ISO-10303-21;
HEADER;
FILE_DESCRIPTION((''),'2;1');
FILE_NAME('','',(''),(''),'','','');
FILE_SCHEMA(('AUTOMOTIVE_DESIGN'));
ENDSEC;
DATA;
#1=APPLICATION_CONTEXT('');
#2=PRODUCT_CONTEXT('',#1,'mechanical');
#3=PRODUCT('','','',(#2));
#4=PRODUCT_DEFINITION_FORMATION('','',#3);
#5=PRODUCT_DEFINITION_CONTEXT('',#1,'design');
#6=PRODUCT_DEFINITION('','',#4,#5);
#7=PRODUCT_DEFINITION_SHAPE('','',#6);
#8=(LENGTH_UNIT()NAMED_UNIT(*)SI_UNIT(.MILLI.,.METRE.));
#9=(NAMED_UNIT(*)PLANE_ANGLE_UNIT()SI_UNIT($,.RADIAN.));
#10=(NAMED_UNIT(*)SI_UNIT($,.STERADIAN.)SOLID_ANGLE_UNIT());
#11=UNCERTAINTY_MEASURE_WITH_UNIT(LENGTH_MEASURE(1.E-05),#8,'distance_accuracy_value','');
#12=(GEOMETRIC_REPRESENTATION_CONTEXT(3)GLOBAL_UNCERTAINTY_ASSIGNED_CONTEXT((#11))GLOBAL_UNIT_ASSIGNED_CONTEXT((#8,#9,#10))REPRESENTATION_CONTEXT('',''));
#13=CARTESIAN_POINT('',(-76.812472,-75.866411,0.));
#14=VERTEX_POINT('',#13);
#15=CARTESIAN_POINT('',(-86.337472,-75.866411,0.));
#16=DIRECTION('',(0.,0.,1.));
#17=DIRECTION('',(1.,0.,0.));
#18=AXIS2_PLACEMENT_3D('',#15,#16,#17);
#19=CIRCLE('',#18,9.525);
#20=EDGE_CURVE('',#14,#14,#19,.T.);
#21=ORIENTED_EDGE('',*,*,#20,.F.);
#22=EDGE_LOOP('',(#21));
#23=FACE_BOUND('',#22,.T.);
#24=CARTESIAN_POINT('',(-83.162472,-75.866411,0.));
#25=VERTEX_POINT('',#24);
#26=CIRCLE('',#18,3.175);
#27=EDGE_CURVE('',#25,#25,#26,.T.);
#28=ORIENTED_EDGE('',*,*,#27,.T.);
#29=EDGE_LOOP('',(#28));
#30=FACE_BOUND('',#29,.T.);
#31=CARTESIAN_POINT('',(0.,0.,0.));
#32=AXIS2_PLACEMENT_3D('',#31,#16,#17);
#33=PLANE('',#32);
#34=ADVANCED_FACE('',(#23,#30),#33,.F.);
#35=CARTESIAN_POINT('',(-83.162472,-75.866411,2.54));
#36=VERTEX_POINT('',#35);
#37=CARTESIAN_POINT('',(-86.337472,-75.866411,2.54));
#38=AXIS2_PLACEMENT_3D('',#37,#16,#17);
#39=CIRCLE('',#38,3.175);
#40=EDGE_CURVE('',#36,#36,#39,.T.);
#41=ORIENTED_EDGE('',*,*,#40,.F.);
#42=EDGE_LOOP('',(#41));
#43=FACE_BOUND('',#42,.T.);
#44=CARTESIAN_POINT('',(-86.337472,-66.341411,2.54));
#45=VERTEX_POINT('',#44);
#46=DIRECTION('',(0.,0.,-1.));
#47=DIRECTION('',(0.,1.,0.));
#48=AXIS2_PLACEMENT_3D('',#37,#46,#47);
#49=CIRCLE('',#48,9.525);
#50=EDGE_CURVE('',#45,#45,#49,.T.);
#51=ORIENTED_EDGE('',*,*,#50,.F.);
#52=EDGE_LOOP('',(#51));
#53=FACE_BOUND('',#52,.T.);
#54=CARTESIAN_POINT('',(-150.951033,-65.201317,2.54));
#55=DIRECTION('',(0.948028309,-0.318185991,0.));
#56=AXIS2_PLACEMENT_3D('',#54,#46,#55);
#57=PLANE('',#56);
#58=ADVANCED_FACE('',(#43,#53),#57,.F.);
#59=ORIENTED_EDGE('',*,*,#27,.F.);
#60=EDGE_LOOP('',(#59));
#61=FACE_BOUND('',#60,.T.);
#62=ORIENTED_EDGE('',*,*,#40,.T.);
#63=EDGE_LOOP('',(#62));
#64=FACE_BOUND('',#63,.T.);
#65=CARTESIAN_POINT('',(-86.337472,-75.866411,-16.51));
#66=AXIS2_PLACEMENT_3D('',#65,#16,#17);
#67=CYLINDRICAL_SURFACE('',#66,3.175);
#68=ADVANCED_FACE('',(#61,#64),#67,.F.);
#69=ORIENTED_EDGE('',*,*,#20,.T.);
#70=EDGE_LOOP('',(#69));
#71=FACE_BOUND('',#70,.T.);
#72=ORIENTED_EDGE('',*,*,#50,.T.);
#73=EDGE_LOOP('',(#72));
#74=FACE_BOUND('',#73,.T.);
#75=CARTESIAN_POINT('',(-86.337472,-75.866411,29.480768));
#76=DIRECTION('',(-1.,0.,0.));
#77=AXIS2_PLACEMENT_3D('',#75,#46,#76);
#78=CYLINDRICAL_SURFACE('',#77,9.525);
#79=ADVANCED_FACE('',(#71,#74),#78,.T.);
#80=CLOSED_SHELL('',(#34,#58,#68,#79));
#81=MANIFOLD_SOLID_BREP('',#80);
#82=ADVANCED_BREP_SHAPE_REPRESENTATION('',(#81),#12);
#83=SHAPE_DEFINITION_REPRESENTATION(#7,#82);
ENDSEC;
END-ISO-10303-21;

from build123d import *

# Parameters (mm, degrees)
SKETCH2_R           = 9.525
SKETCH2_R_2         = 3.175
BOSS_EXTRUDE1_DEPTH = 2.54
SKETCH3_R           = 3.175
CUT_EXTRUDE1_DEPTH  = 19.05


with BuildPart() as part:
    # Sketch2 → Boss-Extrude1 (new body)
    with BuildSketch(Plane.XY):
        with Locations((-86.337471769, -75.866410674)):
            Circle(SKETCH2_R)
        with Locations((-86.337471769, -75.866410674)):
            Circle(SKETCH2_R_2, mode=Mode.SUBTRACT)
        with Locations((-86.337471769, -75.866410674)):
            Circle(SKETCH2_R_2)
    extrude(amount=BOSS_EXTRUDE1_DEPTH)

    # Sketch3 → Cut-Extrude1 (cut)
    with BuildSketch(Plane.XY.offset(2.54)):
        with Locations((-86.337471769, -75.866410674)):
            Circle(SKETCH3_R)
    extrude(amount=-CUT_EXTRUDE1_DEPTH, mode=Mode.SUBTRACT)


solid = part.part
